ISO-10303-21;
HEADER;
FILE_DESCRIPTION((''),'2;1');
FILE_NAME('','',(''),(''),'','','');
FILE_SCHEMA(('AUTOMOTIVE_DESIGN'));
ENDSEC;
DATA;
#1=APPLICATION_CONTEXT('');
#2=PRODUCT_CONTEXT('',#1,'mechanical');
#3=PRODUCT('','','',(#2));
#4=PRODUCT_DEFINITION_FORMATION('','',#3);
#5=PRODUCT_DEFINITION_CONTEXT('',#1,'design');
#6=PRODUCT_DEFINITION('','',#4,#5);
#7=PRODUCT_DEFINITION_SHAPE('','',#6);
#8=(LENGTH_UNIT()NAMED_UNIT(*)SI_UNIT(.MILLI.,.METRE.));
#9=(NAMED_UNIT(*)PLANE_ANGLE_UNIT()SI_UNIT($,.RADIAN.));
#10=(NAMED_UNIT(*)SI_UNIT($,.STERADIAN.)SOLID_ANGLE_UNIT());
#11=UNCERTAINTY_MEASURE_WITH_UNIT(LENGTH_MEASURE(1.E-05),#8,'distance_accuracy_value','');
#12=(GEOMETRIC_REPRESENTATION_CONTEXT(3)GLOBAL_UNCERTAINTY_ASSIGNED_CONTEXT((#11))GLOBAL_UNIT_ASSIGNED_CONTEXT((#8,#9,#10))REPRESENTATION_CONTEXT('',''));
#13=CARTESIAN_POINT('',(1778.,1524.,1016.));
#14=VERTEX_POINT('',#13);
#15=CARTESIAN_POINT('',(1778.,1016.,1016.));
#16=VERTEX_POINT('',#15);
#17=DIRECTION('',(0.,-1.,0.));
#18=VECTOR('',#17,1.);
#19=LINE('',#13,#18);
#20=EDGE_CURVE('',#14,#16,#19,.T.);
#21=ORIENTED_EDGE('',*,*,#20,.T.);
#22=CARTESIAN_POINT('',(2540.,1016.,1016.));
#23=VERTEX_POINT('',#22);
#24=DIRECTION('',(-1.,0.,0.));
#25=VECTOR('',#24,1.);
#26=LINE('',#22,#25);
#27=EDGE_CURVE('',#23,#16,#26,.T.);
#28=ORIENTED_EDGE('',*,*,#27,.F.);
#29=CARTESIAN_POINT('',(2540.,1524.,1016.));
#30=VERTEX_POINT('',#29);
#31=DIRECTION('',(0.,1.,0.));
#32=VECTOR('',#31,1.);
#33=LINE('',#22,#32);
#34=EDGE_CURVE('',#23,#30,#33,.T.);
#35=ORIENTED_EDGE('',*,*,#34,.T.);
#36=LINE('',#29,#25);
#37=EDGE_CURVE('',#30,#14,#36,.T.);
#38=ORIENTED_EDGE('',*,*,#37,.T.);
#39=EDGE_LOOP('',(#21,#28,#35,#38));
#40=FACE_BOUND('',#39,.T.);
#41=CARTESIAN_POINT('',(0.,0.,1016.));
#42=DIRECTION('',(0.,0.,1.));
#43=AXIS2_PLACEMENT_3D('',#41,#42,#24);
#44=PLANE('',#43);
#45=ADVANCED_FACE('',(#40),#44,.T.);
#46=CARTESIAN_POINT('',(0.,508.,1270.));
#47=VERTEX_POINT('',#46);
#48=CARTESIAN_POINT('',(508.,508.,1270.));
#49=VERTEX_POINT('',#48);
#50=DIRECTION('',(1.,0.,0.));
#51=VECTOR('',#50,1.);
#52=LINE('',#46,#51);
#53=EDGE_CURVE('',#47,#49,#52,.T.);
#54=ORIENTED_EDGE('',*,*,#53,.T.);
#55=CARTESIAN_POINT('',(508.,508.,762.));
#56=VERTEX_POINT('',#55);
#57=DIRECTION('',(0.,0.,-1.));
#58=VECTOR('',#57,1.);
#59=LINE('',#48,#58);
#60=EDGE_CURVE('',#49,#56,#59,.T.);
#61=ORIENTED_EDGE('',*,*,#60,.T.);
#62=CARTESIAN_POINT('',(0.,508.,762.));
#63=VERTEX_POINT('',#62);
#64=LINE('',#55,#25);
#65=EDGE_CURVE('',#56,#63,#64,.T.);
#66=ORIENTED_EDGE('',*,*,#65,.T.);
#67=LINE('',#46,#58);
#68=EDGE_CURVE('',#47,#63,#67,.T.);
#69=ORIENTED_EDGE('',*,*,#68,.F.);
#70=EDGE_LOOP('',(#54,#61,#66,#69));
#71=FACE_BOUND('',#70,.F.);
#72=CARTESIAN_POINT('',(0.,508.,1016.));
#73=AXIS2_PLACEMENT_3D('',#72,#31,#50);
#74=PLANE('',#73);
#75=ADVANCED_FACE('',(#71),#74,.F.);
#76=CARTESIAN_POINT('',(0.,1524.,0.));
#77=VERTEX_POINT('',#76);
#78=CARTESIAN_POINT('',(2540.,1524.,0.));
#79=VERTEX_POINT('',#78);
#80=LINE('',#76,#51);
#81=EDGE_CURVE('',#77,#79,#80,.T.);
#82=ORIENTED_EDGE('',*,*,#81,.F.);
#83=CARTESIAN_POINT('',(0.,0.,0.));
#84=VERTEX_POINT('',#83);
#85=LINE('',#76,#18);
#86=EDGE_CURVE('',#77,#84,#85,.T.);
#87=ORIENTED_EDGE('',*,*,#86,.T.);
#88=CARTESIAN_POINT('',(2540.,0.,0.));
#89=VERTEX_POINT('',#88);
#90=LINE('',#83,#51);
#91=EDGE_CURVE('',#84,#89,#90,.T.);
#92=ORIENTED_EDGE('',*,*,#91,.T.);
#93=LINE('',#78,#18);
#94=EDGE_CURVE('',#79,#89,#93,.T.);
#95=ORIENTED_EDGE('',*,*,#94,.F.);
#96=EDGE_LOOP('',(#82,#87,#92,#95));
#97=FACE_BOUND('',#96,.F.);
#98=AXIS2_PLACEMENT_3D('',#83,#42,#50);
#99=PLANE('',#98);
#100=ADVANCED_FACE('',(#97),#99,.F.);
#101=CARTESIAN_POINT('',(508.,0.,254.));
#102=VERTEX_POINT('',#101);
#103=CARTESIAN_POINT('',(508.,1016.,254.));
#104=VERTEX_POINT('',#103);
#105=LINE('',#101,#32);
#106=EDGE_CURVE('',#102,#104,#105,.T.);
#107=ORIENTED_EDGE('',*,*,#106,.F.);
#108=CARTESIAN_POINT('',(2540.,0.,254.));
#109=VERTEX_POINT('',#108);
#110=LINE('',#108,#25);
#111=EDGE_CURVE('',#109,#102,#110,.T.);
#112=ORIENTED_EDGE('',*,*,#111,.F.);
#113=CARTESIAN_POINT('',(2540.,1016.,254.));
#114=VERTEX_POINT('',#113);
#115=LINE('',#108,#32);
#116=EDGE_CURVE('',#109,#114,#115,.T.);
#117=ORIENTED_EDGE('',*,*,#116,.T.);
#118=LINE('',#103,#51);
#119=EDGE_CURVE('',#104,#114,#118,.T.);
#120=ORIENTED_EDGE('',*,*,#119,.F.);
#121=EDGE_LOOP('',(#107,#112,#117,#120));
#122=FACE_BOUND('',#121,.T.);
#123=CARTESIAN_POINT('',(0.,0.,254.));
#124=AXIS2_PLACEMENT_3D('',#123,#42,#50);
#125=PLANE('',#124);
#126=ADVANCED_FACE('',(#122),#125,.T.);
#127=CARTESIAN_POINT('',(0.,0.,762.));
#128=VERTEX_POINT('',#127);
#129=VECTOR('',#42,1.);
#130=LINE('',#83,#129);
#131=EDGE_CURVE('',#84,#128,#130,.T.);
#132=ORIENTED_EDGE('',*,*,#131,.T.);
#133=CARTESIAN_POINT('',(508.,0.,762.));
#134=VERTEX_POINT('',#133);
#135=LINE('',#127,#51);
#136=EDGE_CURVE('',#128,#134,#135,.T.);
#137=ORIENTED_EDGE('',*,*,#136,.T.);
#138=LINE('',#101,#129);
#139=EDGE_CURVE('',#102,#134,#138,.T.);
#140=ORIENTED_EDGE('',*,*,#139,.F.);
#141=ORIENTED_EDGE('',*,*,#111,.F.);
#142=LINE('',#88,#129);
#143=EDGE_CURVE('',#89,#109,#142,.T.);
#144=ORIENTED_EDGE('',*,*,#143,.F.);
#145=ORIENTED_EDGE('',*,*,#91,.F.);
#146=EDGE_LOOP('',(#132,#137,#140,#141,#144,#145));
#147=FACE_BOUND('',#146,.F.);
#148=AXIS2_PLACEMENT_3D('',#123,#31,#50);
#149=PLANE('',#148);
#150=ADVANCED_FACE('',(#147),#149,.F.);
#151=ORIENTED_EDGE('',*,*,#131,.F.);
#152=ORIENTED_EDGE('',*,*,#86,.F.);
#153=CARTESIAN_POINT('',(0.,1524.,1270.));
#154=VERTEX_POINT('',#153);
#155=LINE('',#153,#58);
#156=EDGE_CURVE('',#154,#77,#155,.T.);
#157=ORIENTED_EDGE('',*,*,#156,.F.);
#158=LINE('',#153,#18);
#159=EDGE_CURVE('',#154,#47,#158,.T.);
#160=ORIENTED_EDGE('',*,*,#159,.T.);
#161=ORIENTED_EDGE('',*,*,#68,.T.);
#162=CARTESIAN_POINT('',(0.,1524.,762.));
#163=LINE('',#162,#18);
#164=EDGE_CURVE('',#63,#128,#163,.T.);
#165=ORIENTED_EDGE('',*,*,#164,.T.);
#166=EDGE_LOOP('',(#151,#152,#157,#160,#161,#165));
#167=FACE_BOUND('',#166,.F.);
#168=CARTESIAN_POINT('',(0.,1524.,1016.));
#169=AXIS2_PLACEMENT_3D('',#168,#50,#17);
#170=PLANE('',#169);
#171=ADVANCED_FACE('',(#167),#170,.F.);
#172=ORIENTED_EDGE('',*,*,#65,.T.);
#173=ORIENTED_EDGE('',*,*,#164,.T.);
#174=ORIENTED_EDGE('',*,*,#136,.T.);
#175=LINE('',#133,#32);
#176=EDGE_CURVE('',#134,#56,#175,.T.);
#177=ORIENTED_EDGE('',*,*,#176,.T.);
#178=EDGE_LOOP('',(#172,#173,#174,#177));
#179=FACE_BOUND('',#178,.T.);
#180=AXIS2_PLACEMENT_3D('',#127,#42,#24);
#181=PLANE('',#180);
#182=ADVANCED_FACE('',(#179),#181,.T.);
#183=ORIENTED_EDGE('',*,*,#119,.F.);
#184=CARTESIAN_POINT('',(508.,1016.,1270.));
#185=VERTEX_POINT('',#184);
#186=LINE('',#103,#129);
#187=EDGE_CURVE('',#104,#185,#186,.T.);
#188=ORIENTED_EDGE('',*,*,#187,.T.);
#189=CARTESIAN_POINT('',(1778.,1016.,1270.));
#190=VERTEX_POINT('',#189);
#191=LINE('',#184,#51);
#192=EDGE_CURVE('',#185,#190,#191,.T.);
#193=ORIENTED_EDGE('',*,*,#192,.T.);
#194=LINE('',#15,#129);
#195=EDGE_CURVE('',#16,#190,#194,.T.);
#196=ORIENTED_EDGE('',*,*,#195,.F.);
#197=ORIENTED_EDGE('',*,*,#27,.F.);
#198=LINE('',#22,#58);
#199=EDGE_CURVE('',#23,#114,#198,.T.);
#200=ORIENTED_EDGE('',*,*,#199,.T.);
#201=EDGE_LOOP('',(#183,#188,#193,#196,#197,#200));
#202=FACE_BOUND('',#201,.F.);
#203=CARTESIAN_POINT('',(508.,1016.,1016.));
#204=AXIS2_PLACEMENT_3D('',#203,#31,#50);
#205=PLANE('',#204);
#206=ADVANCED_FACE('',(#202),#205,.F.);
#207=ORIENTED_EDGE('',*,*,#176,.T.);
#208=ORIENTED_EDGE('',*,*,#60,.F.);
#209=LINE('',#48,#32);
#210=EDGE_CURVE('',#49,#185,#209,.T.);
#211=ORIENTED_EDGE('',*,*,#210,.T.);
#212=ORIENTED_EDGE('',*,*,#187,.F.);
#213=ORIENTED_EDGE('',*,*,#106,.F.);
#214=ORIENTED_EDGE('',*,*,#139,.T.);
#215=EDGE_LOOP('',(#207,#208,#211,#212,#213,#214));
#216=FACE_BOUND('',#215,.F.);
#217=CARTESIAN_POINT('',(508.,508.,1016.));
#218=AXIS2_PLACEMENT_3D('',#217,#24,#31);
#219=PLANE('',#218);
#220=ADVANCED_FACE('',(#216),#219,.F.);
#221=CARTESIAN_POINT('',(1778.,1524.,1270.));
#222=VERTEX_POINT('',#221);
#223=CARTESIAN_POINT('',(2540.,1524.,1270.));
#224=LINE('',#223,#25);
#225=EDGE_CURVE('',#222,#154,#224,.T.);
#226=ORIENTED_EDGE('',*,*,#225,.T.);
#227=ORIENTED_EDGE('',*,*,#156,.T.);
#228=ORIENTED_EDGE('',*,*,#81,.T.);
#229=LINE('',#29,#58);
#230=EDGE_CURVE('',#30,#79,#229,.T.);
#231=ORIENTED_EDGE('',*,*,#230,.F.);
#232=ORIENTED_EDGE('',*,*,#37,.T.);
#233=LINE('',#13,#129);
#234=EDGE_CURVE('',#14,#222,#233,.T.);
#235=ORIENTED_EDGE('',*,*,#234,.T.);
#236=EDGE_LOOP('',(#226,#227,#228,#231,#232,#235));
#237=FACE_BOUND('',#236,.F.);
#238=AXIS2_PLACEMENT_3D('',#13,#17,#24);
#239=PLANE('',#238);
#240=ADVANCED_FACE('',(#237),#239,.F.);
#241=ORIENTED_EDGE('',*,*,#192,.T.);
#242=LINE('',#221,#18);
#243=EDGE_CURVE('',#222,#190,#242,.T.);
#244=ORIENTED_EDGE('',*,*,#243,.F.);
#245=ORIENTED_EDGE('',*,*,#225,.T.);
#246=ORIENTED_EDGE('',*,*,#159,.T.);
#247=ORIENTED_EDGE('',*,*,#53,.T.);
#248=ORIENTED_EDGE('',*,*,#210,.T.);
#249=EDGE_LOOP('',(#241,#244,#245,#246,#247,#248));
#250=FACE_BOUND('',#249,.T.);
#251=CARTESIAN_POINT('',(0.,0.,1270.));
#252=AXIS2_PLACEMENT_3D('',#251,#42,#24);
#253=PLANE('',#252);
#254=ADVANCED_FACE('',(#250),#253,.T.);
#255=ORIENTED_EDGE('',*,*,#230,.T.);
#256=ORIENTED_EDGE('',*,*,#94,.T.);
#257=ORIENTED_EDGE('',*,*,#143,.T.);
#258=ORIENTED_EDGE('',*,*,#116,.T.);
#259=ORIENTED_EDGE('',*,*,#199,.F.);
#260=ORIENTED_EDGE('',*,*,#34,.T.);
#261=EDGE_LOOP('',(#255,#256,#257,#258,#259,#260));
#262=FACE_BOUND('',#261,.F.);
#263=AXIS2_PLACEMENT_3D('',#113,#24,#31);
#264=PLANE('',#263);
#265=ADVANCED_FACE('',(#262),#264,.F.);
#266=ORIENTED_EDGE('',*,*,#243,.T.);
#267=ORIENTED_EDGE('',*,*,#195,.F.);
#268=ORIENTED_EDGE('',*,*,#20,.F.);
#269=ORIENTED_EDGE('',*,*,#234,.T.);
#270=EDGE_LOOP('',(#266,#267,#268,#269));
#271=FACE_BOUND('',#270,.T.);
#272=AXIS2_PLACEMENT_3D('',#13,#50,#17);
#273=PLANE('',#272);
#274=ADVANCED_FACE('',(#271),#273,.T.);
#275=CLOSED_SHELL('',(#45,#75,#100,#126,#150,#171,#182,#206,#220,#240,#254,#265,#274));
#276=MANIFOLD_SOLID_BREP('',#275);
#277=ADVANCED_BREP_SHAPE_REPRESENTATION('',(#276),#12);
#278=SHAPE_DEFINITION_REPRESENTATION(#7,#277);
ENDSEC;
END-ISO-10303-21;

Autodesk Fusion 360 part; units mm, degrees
sketch "Sketch1" plane through (0, 0, 0) normal (0, 0, 1) x (1, 0, 0)
  line L0 (0, 0) -> (2540, 0)
  line L1 (2540, 0) -> (2540, 1524)
  line L2 (2540, 1524) -> (0, 1524)
  line L3 (0, 1524) -> (0, 0)
  line L4 (508, 0) -> (508, 1016)
  line L5 (508, 1016) -> (1778, 1016)
  line L6 (1778, 1016) -> (1778, 1524)
  line L7 (508, 508) -> (0, 508)
  line L8 (1778, 1016) -> (2540, 1016)
  dimension "d1" = 2540
  dimension "d2" = 1524
  dimension "d3" = 508
  dimension "d4" = 508
  dimension "d5" = 508
  dimension "d6" = 762
extrude "Extrude1" add sketch "Sketch1" along normal blind 254
sketch "Sketch2" plane through (0, 0, 254) normal (0, 0, 1) x (-1, 0, 0)
  line L0 (0, -1524) -> (0, 0)
  line L1 (0, 0) -> (-2540, 0)
  line L2 (-2540, 0) -> (-2540, -1524)
  line L3 (-2540, -1524) -> (0, -1524)
  line L4 (-508, 0) -> (-508, -1016)
  line L5 (-508, -1016) -> (-2540, -1016)
  dimension "d9" = 508
  dimension "d10" = 508
extrude "Extrude2" add sketch "Sketch2" along normal blind 508 contours L0 L1 L2 L3 L4 L5
sketch "Sketch3" plane through (0, 0, 762) normal (0, 0, 1) x (-1, 0, 0)
  line L0 (-508, -1016) -> (-2540, -1016)
  line L1 (-2540, -1016) -> (-2540, -1524)
  line L2 (-2540, -1524) -> (0, -1524)
  line L3 (0, -1524) -> (0, 0)
  line L4 (0, 0) -> (-508, 0)
  line L5 (-508, 0) -> (-508, -1016)
  line L6 (-508, -508) -> (0, -508)
  line L7 (-1778, -1016) -> (-1778, -1524)
  dimension "d13" = 762
  dimension "d14" = 508
extrude "Extrude3" add sketch "Sketch3" along normal blind 254 contours L0 L2 L3 L5 L6 L7 | L0 L1 L2 L7
sketch "Sketch4" plane through (0, 0, 1016) normal (0, 0, 1) x (-1, 0, 0)
  line L0 (-508, -1016) -> (-2540, -1016)
  line L1 (-2540, -1016) -> (-2540, -1524)
  line L2 (-2540, -1524) -> (0, -1524)
  line L3 (0, -1524) -> (0, -508)
  line L4 (0, -508) -> (-508, -508)
  line L5 (-508, -508) -> (-508, -1016)
  line L6 (-1778, -1524) -> (-1778, -1016)
  dimension "d17" = 762
extrude "Extrude4" add sketch "Sketch4" along normal blind 254 contours L0 L2 L3 L4 L5 L6
